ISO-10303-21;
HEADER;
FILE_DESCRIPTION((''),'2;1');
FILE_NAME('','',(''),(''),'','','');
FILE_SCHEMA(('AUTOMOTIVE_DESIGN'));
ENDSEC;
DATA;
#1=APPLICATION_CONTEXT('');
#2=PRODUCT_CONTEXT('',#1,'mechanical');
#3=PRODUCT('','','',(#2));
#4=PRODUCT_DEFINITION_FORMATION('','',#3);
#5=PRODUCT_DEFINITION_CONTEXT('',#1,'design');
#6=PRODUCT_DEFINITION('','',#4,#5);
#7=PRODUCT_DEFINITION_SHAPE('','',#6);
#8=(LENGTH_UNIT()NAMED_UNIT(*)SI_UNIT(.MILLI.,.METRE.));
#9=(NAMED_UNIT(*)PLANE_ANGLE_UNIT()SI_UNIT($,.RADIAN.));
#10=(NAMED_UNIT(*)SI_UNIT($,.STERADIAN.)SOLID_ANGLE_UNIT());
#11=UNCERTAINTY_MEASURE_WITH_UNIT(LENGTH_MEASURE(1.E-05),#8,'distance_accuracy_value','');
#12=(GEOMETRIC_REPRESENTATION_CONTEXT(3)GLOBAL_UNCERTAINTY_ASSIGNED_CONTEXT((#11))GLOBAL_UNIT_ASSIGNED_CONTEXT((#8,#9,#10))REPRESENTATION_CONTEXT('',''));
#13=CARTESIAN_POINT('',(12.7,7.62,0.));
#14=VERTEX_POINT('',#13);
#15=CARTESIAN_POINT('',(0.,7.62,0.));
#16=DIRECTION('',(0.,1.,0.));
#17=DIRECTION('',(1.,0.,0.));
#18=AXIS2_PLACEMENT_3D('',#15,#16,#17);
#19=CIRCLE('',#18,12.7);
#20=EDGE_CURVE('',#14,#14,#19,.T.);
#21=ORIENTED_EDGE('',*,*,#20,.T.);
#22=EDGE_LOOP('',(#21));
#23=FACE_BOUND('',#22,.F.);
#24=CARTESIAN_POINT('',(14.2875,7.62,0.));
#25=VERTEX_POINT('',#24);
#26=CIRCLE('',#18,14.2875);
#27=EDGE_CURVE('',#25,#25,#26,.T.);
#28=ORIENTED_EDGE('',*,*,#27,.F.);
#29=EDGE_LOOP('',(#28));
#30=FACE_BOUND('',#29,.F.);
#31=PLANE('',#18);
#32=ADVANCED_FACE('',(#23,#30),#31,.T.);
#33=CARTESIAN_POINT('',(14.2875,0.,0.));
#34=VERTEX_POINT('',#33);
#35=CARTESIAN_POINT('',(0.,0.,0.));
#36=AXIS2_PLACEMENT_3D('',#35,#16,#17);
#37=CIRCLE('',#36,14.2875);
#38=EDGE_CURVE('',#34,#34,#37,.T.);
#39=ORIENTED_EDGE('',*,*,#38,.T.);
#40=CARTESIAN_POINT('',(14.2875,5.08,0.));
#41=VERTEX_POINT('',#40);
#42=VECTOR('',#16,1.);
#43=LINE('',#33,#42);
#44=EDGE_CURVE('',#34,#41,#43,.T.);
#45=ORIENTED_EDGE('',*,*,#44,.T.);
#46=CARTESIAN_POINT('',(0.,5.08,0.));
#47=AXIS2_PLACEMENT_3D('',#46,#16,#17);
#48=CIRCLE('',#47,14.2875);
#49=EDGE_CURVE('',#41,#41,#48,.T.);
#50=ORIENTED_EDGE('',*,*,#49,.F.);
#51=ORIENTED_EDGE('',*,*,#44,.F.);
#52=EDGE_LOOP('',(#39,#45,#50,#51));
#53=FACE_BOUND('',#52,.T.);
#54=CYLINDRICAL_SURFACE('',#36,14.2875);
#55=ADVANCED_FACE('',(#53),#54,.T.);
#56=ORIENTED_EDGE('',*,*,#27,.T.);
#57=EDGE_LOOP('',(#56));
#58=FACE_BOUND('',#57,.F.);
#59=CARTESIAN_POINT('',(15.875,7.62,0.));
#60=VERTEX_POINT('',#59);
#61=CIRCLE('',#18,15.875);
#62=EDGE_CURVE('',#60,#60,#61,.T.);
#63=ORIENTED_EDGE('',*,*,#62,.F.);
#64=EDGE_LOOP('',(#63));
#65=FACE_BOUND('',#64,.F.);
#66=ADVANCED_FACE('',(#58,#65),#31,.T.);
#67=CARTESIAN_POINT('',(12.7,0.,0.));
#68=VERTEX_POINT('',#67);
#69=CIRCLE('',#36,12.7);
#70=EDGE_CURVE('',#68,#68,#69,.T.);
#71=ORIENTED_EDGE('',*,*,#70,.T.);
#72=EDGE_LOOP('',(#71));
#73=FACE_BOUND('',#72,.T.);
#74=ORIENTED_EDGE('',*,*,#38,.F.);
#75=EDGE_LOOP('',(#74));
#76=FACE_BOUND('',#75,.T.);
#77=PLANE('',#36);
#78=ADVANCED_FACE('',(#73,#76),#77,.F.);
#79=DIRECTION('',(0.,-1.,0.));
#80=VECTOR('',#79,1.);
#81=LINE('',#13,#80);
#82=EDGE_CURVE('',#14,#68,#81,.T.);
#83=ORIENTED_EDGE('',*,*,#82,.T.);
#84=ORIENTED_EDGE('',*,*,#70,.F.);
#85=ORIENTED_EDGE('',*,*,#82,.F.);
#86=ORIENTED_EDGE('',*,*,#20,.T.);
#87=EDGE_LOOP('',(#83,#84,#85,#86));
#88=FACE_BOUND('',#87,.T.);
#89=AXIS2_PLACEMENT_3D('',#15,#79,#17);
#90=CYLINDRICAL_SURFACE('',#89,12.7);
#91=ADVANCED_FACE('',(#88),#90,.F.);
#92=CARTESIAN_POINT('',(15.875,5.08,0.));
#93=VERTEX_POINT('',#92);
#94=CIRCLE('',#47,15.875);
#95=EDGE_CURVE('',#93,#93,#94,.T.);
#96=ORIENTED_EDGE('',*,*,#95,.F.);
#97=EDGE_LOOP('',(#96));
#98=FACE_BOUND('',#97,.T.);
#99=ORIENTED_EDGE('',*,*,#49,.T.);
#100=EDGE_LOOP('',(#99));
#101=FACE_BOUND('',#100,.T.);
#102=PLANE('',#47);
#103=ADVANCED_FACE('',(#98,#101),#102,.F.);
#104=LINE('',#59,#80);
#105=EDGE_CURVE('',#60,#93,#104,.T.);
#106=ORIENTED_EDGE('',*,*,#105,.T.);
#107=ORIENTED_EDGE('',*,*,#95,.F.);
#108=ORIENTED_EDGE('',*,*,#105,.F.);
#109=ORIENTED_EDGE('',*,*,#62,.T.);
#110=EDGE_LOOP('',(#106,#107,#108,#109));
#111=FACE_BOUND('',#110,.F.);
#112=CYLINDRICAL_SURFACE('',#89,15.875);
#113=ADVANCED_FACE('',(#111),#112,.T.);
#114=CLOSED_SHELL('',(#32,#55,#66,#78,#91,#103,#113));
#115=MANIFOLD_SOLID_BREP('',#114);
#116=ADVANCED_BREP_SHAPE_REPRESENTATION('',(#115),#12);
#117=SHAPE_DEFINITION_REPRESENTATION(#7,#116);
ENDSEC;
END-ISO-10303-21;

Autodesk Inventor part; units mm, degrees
ref_plane "YZ Plane" through (0, 0, 0) normal (1, 0, 0) x (0, 1, 0)
ref_plane "XZ Plane" through (0, 0, 0) normal (0, 1, 0) x (-1, 0, 0)
ref_plane "XY Plane" through (0, 0, 0) normal (0, 0, 1) x (1, 0, 0)
sketch "Sketch1" plane through (0, 0, 0) normal (0, 0, 1) x (1, 0, 0)
  line L0 (14.2875, 0) -> (14.2875, 5.08)
  line L1 (14.2875, 5.08) -> (15.875, 5.08)
  line L2 (12.7, 7.62) -> (12.7, 0)
  line L3 (12.7, 0) -> (14.2875, 0)
  line L4 (0, -2.54) -> (0, 15.24) projected
  line L5 (14.2875, 12.7) -> (14.2875, 7.62)
  line L6 (14.2875, 7.62) -> (15.875, 7.62)
  line L7 (15.875, 7.62) -> (15.875, 5.08)
  line L8 (15.875, 7.62) -> (15.875, 12.7)
  line L9 (15.875, 12.7) -> (14.2875, 12.7)
  line L10 (12.7, 7.62) -> (14.2875, 7.62)
  point P0 (0, 0)
  dimension "d1" = 14.2875
  dimension "d2" = 12.7
  dimension "d3" = 5.08
revolve "Revolution1" add sketch "Sketch1" angle 360 about axis through (0, -10, 0) along (0, 1, 0) contours L3 L2 L10 L6 L7 L1 L0
thread "Thread4" size "1-8 UNC" class "2B" standard "ANSI Unified Screw Threads" full length
sketch "Sketch5" plane through (0, 0, 0) normal (1, 0, 0) x (0, 1, 0)
  line L0 (-0.3529, -13.8698) -> (-0.3025, -13.8698) construction
  line L1 (0.0503, -14.2571) -> (-0.0001, -14.3539) construction
  line L2 (-0.6049, -14.3539) -> (-0.6553, -14.2571) construction
  line L3 (-0.2521, -13.8698) -> (-0.3025, -13.773) construction
  line L4 (-0.3025, -13.773) -> (-0.3529, -13.8698) construction
  line L5 (-0.6049, -14.3539) -> (-0.5545, -14.2571) construction
  line L6 (-0.2521, -13.8698) -> (-0.0505, -14.2571)
  line L7 (-0.6553, -14.2571) -> (-0.5545, -14.2571) construction
  arc A0 (-0.6553, -14.2571) -> (-0.6049, -14.2877) centre (-0.6049, -14.2309) ccw construction
  line L8 (0.0503, -14.2571) -> (-0.0505, -14.2571) construction
  line L9 (-0.6049, -14.3539) -> (-0.6049, -14.2571) construction
  line L10 (-0.0001, -14.3539) -> (-0.0001, -14.2571) construction
  line L11 (-0.3025, -13.773) -> (-0.3025, -13.8393) construction
  line L12 (-0.6049, -14.2877) -> (-0.0001, -14.2877)
  arc A1 (-0.6049, -14.2877) -> (-0.5545, -14.2571) centre (-0.6049, -14.2309) ccw
  line L13 (-0.0505, -14.2571) -> (-0.0001, -14.3539) construction
  line L14 (-0.5545, -14.2571) -> (-0.3529, -13.8698)
  line L15 (-0.0001, -0.0002) -> (-0.0001, 0.0177)
  line L16 (-0.0001, 0.0177) -> (-0.0001, -0.0002)
  line L17 (-0.0001, -0.0002) -> (0.0334, -0.0002)
  arc A2 (-0.0505, -14.2571) -> (-0.0001, -14.2877) centre (-0.0001, -14.2309) ccw
  arc A3 (-0.0001, -14.2877) -> (0.0503, -14.2571) centre (-0.0001, -14.2309) ccw construction
  arc A4 (-0.3025, -13.8393) -> (-0.3529, -13.8698) centre (-0.3025, -13.8961) ccw
  arc A5 (-0.2521, -13.8698) -> (-0.3025, -13.8393) centre (-0.3025, -13.8961) ccw
  line L18 (-0.3025, -13.8393) -> (-0.3025, -13.8698) construction
  line L19 (-0.3025, -13.8698) -> (-0.2521, -13.8698) construction
  dimension "d31" = 55
  dimension "d32" = 0.0968
  dimension "d33" = 0.0968
  dimension "Sketch5_ThreadOffset" = 0
  dimension "Sketch5_MajorRadius" = 14.2875
  dimension "d36" = 0.6048
  dimension "Sketch5_MinorRadius" = 13.8391
sketch "Sketch6" plane through (0, 0, 0) normal (-1, 0, 0) x (0, 0, 1)
  line L0 (14.2875, 0) -> (14.2875, 5.08)
  line L1 (14.2875, 5.08) -> (13.8391, 5.08)
  line L2 (13.8391, 5.08) -> (13.8391, 0)
  line L3 (13.8391, 0) -> (14.2875, 0)
  line L4 (0, -1.016) -> (0, 6.096) projected
sketch "Sketch7" plane through (0, 0, 0) normal (-1, 0, 0) x (0, 0, 1)
  line L0 (14.2875, 0) -> (14.2875, 5.08)
  line L1 (14.2875, 5.08) -> (13.8391, 5.08)
  line L2 (13.8391, 5.08) -> (13.8391, 0)
  line L3 (13.8391, 0) -> (14.2875, 0)
  line L4 (0, -1.016) -> (0, 6.096) projected
equation "\"d31\" = d38"
equation "\"d32\" = 0.160083 * Sketch5_Pitch"
equation "\"d33\" = 0.160083 * Sketch5_Pitch"
equation "\"d36\" = Sketch5_Pitch"
equation "\"d15\" = 55deg"
equation "\"Sketch2_Pitch\" = 0.90714"
equation "\"d38\" = 55deg"
equation "\"Sketch5_Pitch\" = 0.60476"
properties part number "202-experiment"
